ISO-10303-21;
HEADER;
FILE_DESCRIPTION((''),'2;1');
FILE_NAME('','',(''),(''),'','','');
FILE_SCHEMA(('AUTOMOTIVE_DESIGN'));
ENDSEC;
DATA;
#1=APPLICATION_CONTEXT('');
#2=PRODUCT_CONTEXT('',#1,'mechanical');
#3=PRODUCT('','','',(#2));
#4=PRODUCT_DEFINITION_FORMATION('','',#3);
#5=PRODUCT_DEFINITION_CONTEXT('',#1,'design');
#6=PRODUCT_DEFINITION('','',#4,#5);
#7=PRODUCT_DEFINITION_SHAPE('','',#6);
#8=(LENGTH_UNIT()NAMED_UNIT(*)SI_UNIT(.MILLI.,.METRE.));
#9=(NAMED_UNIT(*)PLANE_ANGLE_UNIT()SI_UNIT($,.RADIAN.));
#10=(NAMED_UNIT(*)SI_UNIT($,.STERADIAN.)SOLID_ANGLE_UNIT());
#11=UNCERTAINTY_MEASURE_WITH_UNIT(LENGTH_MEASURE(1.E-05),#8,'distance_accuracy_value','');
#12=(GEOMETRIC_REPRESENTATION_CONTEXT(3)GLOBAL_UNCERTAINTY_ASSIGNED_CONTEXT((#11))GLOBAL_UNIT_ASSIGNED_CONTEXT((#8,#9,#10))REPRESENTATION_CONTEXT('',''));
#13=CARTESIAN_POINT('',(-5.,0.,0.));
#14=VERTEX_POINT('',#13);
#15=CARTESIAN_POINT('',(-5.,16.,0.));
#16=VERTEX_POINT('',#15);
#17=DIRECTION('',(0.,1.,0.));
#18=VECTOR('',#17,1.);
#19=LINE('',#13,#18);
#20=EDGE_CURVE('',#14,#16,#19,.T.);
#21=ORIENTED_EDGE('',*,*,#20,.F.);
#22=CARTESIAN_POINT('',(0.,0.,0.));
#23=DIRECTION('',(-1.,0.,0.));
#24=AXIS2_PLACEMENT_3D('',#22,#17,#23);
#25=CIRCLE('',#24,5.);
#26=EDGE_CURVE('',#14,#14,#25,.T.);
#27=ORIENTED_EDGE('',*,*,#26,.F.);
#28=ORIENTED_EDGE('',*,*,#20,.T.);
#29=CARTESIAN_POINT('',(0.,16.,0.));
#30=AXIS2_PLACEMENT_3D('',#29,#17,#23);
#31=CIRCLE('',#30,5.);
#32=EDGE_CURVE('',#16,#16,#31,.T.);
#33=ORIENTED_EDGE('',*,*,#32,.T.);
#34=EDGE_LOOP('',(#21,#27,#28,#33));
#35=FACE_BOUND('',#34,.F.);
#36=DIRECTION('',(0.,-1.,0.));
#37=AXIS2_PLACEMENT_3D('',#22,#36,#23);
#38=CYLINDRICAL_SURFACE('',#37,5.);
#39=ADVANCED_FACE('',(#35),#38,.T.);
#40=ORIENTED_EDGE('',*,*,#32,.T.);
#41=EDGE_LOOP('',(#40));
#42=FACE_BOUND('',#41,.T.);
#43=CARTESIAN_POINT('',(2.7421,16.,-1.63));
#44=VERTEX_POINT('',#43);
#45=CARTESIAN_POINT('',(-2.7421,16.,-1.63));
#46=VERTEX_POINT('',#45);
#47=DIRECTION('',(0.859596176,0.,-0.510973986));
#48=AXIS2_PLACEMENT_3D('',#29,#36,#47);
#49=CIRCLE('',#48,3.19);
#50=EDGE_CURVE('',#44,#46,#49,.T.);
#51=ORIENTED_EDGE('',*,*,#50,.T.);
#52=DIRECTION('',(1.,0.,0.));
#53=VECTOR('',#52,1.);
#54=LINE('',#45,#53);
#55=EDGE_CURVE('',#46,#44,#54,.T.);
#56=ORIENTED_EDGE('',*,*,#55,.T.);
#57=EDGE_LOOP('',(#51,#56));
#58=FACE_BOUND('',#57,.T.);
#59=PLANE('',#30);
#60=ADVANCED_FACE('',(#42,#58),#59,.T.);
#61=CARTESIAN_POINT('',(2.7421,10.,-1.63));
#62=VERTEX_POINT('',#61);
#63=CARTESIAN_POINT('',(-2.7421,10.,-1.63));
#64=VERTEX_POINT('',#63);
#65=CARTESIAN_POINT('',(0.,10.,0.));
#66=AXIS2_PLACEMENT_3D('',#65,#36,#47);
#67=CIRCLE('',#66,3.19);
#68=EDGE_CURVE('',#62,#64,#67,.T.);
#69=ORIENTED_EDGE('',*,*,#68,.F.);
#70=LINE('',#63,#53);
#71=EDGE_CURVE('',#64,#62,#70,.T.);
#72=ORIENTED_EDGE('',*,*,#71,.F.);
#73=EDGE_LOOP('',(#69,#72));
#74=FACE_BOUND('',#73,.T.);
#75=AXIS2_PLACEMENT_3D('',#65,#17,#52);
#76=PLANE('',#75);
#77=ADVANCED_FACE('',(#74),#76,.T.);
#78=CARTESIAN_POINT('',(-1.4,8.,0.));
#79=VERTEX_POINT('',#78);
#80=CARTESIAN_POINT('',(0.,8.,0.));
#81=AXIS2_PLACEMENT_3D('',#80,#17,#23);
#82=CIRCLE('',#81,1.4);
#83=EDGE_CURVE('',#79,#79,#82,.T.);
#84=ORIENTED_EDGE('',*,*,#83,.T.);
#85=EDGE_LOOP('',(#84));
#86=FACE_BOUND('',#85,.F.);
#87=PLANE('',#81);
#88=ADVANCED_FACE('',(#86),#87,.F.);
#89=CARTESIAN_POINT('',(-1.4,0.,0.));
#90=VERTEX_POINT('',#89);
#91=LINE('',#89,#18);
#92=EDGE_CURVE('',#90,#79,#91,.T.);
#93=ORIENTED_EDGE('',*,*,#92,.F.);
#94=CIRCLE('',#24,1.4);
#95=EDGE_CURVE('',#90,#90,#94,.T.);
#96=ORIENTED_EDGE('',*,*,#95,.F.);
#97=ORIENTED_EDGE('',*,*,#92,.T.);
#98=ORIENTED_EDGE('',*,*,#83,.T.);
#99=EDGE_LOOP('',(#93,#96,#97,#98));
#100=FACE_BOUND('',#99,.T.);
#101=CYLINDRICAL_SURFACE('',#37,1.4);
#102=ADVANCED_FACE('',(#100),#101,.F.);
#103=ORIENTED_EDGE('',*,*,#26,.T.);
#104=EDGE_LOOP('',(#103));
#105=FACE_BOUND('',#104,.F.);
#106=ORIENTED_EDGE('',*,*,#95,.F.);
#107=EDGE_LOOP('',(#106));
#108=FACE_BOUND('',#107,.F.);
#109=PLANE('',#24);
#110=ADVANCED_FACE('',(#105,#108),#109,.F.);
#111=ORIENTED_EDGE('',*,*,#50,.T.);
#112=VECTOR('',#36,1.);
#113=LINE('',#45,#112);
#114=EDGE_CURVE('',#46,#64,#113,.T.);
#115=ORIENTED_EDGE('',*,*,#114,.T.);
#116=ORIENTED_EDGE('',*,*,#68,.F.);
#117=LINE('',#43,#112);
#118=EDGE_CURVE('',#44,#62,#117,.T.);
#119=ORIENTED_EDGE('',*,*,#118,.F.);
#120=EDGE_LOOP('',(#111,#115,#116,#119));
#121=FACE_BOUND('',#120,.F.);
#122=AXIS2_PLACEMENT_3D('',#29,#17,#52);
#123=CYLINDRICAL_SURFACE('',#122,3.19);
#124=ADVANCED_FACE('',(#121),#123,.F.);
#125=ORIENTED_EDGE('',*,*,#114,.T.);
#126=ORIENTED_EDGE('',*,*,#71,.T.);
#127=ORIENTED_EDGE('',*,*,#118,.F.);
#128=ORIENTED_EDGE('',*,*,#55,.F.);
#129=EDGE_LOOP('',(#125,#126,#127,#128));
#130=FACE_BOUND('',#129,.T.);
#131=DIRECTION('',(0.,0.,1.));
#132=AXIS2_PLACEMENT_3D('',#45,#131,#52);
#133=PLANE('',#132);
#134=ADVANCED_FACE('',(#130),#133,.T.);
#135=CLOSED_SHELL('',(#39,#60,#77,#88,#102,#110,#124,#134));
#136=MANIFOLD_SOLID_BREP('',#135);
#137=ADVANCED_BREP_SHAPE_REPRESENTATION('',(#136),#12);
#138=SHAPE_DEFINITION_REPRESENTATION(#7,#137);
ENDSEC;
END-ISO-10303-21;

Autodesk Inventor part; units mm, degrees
ref_plane "YZ Plane" through (0, 0, 0) normal (1, 0, 0) x (0, 1, 0)
ref_plane "XZ Plane" through (0, 0, 0) normal (0, 1, 0) x (-1, 0, 0)
ref_plane "XY Plane" through (0, 0, 0) normal (0, 0, 1) x (1, 0, 0)
sketch "Sketch1" plane through (0, 0, 0) normal (0, 1, 0) x (-1, 0, 0)
  circle A0 centre (0, 0) radius 1.4
  circle A1 centre (0, 0) radius 5
  circle A2 centre (0, 0) radius 1.115
  dimension "d0" = 2.8
  dimension "d1" = 10
extrude "Extrusion1" add sketch "Sketch1" along normal blind 16 contours A0 | A1 | A2
extrude "Extrusion2" cut sketch "Sketch1" along normal blind 8 contours A0 | A2
sketch "Sketch2" plane through (0, 16, 0) normal (0, 1, 0) x (1, 0, 0)
  circle A0 centre (0, 0) radius 3 construction
  circle A1 centre (0, 0) radius 3.19
  line L0 (-2.8414, 1.45) -> (2.8414, 1.45) construction
  line L1 (-2.7421, 1.63) -> (2.7421, 1.63)
  point P0 (0, -3)
  dimension "d6" = 6
  dimension "d7" = 6.38
  dimension "d8" = 4.45
  dimension "d9" = 0.18
extrude "Extrusion3" cut sketch "Sketch2" against normal blind 6 contours A1 L1 picked at (0.1058, 0.0286)
properties part number "Motor Rotary Encoder Coupler"
